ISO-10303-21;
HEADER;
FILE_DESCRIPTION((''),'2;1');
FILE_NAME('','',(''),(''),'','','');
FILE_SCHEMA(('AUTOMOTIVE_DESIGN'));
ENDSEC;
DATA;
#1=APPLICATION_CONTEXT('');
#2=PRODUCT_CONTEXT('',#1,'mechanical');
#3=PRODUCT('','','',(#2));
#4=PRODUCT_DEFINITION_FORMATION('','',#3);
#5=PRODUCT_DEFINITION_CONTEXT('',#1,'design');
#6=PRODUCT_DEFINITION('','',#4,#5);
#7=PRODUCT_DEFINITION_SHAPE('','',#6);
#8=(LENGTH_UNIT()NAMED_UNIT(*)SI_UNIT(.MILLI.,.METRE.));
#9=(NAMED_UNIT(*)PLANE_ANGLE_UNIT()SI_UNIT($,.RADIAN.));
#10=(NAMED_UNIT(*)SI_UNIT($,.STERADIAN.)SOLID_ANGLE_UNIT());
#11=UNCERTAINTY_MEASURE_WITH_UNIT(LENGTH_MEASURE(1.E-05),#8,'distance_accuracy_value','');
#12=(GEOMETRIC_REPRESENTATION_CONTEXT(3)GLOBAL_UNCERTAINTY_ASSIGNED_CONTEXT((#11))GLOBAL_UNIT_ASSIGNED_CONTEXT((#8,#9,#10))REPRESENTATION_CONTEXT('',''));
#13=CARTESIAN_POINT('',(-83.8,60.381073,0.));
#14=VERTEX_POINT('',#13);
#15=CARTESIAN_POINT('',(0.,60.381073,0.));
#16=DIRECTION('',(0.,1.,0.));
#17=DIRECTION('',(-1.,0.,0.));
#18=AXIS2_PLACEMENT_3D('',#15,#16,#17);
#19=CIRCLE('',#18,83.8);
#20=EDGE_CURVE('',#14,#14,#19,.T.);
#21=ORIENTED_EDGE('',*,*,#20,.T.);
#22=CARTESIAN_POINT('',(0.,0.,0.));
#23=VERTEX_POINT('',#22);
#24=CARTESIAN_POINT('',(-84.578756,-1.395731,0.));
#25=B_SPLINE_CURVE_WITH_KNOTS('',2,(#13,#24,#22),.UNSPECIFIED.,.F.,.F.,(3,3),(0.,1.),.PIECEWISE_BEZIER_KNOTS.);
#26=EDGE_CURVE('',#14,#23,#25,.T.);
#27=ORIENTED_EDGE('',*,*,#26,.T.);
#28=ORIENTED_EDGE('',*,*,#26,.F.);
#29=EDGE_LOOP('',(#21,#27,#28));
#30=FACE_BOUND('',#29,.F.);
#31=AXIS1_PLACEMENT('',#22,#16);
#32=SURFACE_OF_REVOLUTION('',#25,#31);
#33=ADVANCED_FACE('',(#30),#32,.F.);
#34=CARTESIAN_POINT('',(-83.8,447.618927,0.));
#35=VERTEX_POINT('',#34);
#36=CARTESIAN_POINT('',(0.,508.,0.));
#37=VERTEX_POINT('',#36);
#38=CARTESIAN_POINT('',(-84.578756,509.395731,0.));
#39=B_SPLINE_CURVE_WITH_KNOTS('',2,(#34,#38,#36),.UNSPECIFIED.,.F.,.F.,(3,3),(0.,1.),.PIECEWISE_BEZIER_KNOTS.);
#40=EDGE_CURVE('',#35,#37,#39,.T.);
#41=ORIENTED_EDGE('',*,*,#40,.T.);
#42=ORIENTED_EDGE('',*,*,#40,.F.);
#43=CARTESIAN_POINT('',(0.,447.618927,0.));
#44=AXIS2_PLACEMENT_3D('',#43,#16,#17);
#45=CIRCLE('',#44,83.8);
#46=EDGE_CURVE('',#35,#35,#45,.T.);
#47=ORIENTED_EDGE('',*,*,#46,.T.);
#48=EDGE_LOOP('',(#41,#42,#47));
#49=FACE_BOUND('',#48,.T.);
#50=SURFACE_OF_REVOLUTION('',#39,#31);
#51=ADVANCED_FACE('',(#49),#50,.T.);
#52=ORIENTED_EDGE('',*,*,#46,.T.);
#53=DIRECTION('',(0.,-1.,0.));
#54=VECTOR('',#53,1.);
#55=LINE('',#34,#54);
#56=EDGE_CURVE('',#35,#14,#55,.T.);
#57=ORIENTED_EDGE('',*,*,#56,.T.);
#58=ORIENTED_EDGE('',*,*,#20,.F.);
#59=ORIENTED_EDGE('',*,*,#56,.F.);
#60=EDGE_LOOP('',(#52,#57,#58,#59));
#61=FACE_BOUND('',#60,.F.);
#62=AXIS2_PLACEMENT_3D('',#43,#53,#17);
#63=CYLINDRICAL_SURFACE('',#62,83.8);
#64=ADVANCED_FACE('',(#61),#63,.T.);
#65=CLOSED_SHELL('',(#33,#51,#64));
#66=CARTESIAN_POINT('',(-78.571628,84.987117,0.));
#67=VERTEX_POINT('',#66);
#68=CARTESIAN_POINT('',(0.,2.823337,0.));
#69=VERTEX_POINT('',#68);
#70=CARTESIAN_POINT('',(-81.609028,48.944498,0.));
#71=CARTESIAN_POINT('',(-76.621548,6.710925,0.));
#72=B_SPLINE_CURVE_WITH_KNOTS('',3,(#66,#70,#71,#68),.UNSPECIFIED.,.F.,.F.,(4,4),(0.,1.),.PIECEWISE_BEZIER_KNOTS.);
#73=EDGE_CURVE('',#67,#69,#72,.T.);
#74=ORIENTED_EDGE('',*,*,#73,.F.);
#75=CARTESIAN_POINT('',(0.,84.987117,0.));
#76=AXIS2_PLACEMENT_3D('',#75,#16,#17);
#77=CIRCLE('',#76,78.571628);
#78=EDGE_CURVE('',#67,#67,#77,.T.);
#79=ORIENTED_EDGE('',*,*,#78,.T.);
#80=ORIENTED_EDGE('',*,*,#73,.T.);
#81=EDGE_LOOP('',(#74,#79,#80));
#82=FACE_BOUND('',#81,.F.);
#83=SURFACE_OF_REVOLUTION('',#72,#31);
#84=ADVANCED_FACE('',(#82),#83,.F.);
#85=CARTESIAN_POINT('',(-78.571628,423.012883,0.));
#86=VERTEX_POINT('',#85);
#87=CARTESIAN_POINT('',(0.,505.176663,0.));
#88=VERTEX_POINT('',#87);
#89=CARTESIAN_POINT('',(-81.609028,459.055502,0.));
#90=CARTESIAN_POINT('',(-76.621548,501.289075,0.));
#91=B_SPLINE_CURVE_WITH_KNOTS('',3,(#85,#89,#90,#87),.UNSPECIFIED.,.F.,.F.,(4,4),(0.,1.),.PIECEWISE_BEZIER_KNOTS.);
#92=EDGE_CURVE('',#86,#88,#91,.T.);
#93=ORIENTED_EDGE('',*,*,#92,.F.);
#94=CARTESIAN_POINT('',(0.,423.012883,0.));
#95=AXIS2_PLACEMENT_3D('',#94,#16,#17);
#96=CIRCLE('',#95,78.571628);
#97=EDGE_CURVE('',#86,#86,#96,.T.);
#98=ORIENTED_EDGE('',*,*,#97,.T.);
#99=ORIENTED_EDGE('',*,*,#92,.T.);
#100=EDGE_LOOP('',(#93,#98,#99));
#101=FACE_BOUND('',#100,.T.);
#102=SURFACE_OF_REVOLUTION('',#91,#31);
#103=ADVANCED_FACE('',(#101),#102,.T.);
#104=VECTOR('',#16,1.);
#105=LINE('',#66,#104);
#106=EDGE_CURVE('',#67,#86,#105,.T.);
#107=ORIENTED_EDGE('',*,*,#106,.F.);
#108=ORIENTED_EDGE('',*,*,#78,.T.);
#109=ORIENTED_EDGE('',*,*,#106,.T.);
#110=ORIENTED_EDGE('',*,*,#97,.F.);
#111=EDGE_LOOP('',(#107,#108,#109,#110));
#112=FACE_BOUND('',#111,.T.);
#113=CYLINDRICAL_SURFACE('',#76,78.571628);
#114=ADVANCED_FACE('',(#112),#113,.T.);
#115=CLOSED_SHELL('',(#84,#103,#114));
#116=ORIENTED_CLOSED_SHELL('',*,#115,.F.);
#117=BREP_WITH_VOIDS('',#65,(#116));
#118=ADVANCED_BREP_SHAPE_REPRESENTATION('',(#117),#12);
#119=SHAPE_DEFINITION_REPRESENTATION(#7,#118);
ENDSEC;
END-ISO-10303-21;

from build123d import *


with BuildPart() as part:
    # Sketch1 → Revolve1 (revolve)
    with BuildSketch(Plane.XY):
        with BuildLine():
            Line((-83.8, 363), (-83.8, 60.381072862))
            add(Edge.make_bspline(
                [(-83.8, 60.381072862), (-84.578755981, -1.395730518), (0, 0)],
                knots=[0, 0, 0, 1, 1, 1], degree=2))
            Line((0, 0), (0, 2.823337447))
            add(Edge.make_bspline(
                [(-78.571627889, 84.98711746), (-81.609028281, 48.944497672), (-76.621547698, 6.710925493), (0, 2.823337447)],
                knots=[0, 0, 0, 0, 1, 1, 1, 1], degree=3))
            Line((-78.571627889, 84.98711746), (-78.571627889, 363))
            Line((-78.571627889, 363), (-78.571627889, 398.01288254))
            Line((-78.571627889, 398.01288254), (-78.571627889, 423.01288254))
            add(Edge.make_bspline(
                [(-78.571627889, 423.01288254), (-81.609028281, 459.055502328), (-76.621547698, 501.289074507), (0, 505.176662553)],
                knots=[0, 0, 0, 0, 1, 1, 1, 1], degree=3))
            Line((0, 505.176662553), (0, 508))
            add(Edge.make_bspline(
                [(-83.8, 447.618927138), (-84.578755981, 509.395730518), (0, 508)],
                knots=[0, 0, 0, 1, 1, 1], degree=2))
            Line((-83.8, 447.618927138), (-83.8, 422.618927138))
            Line((-83.8, 422.618927138), (-83.8, 363))
        make_face()
    revolve(axis=Axis((0, 0, 0), (0, 1, 0)))


solid = part.part
